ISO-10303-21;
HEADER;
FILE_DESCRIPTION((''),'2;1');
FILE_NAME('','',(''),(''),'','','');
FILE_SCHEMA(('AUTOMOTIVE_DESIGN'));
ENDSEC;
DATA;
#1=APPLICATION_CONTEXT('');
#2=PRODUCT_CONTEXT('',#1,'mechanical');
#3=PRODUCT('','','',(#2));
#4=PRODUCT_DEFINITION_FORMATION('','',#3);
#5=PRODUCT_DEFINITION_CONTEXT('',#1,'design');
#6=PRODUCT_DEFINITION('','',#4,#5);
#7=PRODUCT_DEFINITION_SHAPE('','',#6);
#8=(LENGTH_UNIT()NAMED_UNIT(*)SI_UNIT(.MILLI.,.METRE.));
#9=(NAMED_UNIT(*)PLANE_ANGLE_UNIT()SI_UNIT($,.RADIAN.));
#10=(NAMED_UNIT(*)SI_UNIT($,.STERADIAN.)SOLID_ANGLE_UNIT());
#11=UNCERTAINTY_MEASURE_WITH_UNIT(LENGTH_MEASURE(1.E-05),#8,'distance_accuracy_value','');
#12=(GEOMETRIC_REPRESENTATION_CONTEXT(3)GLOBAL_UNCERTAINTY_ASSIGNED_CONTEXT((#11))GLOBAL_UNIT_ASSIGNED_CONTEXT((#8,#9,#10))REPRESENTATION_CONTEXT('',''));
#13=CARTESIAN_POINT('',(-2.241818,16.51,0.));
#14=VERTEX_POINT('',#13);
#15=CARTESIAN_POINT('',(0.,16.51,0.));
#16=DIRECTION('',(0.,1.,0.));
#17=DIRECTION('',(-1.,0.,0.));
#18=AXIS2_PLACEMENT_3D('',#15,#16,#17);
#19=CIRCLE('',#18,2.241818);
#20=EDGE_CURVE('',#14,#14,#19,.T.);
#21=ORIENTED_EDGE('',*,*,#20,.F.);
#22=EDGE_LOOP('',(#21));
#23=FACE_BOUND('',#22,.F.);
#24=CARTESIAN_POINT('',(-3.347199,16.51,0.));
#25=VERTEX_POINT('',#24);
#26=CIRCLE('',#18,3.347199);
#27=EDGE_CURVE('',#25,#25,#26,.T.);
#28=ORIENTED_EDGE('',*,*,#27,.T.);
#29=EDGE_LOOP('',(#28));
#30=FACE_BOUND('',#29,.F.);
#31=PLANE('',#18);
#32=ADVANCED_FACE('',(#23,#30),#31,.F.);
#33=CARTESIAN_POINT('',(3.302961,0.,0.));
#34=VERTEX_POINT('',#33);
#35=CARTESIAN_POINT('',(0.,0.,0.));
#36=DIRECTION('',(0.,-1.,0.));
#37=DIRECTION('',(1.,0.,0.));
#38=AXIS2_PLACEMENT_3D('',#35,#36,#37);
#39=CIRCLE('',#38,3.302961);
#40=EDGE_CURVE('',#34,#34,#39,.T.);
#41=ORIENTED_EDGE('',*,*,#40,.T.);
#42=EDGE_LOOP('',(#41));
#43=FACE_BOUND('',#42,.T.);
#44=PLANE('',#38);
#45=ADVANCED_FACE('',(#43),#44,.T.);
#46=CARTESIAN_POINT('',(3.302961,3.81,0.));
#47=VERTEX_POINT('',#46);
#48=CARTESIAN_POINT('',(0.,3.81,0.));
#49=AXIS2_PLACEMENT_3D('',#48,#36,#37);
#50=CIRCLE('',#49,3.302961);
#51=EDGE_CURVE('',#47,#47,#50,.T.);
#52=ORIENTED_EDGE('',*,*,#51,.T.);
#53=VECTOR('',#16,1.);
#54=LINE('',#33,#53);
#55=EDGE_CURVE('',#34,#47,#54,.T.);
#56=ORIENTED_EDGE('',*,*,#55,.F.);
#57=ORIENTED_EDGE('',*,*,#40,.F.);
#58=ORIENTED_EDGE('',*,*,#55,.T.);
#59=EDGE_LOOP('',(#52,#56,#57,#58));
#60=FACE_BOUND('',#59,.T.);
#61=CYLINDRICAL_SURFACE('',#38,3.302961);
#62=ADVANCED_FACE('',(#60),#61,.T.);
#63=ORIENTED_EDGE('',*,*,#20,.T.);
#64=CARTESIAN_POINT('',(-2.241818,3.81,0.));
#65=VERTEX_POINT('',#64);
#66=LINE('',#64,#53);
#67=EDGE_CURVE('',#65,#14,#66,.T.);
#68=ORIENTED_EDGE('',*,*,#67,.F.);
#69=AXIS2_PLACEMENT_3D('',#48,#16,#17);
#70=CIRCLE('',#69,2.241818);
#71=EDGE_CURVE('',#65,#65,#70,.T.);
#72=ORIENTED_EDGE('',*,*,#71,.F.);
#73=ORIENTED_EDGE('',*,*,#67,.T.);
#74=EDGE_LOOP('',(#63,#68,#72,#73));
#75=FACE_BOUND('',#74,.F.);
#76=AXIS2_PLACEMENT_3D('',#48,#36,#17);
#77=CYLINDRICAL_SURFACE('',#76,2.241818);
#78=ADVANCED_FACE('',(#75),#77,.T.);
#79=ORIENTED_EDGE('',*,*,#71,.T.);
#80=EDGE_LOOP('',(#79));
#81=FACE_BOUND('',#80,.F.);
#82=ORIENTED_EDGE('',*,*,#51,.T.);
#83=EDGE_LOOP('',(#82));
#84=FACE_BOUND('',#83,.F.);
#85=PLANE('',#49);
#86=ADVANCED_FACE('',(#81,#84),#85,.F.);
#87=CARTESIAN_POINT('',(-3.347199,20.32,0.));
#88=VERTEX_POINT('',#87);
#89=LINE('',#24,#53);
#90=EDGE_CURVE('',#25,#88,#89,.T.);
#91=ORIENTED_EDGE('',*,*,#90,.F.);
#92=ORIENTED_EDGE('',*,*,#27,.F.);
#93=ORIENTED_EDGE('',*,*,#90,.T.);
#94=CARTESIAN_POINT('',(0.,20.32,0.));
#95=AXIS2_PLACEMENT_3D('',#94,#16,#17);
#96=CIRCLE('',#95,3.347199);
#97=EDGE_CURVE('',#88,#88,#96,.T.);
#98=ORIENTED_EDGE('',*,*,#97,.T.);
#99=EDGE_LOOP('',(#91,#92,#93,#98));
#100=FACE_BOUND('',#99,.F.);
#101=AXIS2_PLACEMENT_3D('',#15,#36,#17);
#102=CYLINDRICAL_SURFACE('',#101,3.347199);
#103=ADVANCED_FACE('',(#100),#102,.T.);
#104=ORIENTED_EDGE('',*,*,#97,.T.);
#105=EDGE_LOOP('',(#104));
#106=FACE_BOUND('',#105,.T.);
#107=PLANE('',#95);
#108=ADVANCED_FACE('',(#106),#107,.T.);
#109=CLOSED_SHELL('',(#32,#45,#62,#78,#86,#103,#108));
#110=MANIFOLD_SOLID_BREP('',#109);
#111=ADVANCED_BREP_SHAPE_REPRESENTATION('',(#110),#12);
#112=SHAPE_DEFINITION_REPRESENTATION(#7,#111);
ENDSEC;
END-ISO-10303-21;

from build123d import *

# Parameters (mm, degrees)
F0_R     = 3.302961
F1_DEPTH = 3.81
F2_R     = 2.241818
F3_DEPTH = 12.7
F4_R     = 3.347199
F5_DEPTH = 3.81


with BuildPart() as f1:
    # F0 (on Front) → F1 (new body)
    with BuildSketch(Plane.XZ):
        Circle(F0_R)
    extrude(amount=-F1_DEPTH)

    # F2 (on face) → F3 (join)
    with BuildSketch(Plane(origin=(0, 3.81, 0), x_dir=(-1, 0, 0), z_dir=(0, 1, 0))):
        Circle(F2_R)
    extrude(amount=F3_DEPTH)

    # F4 (on face) → F5 (join)
    with BuildSketch(Plane(origin=(0, 16.51, 0), x_dir=(-1, 0, 0), z_dir=(0, 1, 0))):
        Circle(F4_R)
    extrude(amount=F5_DEPTH)


solid = f1.part
